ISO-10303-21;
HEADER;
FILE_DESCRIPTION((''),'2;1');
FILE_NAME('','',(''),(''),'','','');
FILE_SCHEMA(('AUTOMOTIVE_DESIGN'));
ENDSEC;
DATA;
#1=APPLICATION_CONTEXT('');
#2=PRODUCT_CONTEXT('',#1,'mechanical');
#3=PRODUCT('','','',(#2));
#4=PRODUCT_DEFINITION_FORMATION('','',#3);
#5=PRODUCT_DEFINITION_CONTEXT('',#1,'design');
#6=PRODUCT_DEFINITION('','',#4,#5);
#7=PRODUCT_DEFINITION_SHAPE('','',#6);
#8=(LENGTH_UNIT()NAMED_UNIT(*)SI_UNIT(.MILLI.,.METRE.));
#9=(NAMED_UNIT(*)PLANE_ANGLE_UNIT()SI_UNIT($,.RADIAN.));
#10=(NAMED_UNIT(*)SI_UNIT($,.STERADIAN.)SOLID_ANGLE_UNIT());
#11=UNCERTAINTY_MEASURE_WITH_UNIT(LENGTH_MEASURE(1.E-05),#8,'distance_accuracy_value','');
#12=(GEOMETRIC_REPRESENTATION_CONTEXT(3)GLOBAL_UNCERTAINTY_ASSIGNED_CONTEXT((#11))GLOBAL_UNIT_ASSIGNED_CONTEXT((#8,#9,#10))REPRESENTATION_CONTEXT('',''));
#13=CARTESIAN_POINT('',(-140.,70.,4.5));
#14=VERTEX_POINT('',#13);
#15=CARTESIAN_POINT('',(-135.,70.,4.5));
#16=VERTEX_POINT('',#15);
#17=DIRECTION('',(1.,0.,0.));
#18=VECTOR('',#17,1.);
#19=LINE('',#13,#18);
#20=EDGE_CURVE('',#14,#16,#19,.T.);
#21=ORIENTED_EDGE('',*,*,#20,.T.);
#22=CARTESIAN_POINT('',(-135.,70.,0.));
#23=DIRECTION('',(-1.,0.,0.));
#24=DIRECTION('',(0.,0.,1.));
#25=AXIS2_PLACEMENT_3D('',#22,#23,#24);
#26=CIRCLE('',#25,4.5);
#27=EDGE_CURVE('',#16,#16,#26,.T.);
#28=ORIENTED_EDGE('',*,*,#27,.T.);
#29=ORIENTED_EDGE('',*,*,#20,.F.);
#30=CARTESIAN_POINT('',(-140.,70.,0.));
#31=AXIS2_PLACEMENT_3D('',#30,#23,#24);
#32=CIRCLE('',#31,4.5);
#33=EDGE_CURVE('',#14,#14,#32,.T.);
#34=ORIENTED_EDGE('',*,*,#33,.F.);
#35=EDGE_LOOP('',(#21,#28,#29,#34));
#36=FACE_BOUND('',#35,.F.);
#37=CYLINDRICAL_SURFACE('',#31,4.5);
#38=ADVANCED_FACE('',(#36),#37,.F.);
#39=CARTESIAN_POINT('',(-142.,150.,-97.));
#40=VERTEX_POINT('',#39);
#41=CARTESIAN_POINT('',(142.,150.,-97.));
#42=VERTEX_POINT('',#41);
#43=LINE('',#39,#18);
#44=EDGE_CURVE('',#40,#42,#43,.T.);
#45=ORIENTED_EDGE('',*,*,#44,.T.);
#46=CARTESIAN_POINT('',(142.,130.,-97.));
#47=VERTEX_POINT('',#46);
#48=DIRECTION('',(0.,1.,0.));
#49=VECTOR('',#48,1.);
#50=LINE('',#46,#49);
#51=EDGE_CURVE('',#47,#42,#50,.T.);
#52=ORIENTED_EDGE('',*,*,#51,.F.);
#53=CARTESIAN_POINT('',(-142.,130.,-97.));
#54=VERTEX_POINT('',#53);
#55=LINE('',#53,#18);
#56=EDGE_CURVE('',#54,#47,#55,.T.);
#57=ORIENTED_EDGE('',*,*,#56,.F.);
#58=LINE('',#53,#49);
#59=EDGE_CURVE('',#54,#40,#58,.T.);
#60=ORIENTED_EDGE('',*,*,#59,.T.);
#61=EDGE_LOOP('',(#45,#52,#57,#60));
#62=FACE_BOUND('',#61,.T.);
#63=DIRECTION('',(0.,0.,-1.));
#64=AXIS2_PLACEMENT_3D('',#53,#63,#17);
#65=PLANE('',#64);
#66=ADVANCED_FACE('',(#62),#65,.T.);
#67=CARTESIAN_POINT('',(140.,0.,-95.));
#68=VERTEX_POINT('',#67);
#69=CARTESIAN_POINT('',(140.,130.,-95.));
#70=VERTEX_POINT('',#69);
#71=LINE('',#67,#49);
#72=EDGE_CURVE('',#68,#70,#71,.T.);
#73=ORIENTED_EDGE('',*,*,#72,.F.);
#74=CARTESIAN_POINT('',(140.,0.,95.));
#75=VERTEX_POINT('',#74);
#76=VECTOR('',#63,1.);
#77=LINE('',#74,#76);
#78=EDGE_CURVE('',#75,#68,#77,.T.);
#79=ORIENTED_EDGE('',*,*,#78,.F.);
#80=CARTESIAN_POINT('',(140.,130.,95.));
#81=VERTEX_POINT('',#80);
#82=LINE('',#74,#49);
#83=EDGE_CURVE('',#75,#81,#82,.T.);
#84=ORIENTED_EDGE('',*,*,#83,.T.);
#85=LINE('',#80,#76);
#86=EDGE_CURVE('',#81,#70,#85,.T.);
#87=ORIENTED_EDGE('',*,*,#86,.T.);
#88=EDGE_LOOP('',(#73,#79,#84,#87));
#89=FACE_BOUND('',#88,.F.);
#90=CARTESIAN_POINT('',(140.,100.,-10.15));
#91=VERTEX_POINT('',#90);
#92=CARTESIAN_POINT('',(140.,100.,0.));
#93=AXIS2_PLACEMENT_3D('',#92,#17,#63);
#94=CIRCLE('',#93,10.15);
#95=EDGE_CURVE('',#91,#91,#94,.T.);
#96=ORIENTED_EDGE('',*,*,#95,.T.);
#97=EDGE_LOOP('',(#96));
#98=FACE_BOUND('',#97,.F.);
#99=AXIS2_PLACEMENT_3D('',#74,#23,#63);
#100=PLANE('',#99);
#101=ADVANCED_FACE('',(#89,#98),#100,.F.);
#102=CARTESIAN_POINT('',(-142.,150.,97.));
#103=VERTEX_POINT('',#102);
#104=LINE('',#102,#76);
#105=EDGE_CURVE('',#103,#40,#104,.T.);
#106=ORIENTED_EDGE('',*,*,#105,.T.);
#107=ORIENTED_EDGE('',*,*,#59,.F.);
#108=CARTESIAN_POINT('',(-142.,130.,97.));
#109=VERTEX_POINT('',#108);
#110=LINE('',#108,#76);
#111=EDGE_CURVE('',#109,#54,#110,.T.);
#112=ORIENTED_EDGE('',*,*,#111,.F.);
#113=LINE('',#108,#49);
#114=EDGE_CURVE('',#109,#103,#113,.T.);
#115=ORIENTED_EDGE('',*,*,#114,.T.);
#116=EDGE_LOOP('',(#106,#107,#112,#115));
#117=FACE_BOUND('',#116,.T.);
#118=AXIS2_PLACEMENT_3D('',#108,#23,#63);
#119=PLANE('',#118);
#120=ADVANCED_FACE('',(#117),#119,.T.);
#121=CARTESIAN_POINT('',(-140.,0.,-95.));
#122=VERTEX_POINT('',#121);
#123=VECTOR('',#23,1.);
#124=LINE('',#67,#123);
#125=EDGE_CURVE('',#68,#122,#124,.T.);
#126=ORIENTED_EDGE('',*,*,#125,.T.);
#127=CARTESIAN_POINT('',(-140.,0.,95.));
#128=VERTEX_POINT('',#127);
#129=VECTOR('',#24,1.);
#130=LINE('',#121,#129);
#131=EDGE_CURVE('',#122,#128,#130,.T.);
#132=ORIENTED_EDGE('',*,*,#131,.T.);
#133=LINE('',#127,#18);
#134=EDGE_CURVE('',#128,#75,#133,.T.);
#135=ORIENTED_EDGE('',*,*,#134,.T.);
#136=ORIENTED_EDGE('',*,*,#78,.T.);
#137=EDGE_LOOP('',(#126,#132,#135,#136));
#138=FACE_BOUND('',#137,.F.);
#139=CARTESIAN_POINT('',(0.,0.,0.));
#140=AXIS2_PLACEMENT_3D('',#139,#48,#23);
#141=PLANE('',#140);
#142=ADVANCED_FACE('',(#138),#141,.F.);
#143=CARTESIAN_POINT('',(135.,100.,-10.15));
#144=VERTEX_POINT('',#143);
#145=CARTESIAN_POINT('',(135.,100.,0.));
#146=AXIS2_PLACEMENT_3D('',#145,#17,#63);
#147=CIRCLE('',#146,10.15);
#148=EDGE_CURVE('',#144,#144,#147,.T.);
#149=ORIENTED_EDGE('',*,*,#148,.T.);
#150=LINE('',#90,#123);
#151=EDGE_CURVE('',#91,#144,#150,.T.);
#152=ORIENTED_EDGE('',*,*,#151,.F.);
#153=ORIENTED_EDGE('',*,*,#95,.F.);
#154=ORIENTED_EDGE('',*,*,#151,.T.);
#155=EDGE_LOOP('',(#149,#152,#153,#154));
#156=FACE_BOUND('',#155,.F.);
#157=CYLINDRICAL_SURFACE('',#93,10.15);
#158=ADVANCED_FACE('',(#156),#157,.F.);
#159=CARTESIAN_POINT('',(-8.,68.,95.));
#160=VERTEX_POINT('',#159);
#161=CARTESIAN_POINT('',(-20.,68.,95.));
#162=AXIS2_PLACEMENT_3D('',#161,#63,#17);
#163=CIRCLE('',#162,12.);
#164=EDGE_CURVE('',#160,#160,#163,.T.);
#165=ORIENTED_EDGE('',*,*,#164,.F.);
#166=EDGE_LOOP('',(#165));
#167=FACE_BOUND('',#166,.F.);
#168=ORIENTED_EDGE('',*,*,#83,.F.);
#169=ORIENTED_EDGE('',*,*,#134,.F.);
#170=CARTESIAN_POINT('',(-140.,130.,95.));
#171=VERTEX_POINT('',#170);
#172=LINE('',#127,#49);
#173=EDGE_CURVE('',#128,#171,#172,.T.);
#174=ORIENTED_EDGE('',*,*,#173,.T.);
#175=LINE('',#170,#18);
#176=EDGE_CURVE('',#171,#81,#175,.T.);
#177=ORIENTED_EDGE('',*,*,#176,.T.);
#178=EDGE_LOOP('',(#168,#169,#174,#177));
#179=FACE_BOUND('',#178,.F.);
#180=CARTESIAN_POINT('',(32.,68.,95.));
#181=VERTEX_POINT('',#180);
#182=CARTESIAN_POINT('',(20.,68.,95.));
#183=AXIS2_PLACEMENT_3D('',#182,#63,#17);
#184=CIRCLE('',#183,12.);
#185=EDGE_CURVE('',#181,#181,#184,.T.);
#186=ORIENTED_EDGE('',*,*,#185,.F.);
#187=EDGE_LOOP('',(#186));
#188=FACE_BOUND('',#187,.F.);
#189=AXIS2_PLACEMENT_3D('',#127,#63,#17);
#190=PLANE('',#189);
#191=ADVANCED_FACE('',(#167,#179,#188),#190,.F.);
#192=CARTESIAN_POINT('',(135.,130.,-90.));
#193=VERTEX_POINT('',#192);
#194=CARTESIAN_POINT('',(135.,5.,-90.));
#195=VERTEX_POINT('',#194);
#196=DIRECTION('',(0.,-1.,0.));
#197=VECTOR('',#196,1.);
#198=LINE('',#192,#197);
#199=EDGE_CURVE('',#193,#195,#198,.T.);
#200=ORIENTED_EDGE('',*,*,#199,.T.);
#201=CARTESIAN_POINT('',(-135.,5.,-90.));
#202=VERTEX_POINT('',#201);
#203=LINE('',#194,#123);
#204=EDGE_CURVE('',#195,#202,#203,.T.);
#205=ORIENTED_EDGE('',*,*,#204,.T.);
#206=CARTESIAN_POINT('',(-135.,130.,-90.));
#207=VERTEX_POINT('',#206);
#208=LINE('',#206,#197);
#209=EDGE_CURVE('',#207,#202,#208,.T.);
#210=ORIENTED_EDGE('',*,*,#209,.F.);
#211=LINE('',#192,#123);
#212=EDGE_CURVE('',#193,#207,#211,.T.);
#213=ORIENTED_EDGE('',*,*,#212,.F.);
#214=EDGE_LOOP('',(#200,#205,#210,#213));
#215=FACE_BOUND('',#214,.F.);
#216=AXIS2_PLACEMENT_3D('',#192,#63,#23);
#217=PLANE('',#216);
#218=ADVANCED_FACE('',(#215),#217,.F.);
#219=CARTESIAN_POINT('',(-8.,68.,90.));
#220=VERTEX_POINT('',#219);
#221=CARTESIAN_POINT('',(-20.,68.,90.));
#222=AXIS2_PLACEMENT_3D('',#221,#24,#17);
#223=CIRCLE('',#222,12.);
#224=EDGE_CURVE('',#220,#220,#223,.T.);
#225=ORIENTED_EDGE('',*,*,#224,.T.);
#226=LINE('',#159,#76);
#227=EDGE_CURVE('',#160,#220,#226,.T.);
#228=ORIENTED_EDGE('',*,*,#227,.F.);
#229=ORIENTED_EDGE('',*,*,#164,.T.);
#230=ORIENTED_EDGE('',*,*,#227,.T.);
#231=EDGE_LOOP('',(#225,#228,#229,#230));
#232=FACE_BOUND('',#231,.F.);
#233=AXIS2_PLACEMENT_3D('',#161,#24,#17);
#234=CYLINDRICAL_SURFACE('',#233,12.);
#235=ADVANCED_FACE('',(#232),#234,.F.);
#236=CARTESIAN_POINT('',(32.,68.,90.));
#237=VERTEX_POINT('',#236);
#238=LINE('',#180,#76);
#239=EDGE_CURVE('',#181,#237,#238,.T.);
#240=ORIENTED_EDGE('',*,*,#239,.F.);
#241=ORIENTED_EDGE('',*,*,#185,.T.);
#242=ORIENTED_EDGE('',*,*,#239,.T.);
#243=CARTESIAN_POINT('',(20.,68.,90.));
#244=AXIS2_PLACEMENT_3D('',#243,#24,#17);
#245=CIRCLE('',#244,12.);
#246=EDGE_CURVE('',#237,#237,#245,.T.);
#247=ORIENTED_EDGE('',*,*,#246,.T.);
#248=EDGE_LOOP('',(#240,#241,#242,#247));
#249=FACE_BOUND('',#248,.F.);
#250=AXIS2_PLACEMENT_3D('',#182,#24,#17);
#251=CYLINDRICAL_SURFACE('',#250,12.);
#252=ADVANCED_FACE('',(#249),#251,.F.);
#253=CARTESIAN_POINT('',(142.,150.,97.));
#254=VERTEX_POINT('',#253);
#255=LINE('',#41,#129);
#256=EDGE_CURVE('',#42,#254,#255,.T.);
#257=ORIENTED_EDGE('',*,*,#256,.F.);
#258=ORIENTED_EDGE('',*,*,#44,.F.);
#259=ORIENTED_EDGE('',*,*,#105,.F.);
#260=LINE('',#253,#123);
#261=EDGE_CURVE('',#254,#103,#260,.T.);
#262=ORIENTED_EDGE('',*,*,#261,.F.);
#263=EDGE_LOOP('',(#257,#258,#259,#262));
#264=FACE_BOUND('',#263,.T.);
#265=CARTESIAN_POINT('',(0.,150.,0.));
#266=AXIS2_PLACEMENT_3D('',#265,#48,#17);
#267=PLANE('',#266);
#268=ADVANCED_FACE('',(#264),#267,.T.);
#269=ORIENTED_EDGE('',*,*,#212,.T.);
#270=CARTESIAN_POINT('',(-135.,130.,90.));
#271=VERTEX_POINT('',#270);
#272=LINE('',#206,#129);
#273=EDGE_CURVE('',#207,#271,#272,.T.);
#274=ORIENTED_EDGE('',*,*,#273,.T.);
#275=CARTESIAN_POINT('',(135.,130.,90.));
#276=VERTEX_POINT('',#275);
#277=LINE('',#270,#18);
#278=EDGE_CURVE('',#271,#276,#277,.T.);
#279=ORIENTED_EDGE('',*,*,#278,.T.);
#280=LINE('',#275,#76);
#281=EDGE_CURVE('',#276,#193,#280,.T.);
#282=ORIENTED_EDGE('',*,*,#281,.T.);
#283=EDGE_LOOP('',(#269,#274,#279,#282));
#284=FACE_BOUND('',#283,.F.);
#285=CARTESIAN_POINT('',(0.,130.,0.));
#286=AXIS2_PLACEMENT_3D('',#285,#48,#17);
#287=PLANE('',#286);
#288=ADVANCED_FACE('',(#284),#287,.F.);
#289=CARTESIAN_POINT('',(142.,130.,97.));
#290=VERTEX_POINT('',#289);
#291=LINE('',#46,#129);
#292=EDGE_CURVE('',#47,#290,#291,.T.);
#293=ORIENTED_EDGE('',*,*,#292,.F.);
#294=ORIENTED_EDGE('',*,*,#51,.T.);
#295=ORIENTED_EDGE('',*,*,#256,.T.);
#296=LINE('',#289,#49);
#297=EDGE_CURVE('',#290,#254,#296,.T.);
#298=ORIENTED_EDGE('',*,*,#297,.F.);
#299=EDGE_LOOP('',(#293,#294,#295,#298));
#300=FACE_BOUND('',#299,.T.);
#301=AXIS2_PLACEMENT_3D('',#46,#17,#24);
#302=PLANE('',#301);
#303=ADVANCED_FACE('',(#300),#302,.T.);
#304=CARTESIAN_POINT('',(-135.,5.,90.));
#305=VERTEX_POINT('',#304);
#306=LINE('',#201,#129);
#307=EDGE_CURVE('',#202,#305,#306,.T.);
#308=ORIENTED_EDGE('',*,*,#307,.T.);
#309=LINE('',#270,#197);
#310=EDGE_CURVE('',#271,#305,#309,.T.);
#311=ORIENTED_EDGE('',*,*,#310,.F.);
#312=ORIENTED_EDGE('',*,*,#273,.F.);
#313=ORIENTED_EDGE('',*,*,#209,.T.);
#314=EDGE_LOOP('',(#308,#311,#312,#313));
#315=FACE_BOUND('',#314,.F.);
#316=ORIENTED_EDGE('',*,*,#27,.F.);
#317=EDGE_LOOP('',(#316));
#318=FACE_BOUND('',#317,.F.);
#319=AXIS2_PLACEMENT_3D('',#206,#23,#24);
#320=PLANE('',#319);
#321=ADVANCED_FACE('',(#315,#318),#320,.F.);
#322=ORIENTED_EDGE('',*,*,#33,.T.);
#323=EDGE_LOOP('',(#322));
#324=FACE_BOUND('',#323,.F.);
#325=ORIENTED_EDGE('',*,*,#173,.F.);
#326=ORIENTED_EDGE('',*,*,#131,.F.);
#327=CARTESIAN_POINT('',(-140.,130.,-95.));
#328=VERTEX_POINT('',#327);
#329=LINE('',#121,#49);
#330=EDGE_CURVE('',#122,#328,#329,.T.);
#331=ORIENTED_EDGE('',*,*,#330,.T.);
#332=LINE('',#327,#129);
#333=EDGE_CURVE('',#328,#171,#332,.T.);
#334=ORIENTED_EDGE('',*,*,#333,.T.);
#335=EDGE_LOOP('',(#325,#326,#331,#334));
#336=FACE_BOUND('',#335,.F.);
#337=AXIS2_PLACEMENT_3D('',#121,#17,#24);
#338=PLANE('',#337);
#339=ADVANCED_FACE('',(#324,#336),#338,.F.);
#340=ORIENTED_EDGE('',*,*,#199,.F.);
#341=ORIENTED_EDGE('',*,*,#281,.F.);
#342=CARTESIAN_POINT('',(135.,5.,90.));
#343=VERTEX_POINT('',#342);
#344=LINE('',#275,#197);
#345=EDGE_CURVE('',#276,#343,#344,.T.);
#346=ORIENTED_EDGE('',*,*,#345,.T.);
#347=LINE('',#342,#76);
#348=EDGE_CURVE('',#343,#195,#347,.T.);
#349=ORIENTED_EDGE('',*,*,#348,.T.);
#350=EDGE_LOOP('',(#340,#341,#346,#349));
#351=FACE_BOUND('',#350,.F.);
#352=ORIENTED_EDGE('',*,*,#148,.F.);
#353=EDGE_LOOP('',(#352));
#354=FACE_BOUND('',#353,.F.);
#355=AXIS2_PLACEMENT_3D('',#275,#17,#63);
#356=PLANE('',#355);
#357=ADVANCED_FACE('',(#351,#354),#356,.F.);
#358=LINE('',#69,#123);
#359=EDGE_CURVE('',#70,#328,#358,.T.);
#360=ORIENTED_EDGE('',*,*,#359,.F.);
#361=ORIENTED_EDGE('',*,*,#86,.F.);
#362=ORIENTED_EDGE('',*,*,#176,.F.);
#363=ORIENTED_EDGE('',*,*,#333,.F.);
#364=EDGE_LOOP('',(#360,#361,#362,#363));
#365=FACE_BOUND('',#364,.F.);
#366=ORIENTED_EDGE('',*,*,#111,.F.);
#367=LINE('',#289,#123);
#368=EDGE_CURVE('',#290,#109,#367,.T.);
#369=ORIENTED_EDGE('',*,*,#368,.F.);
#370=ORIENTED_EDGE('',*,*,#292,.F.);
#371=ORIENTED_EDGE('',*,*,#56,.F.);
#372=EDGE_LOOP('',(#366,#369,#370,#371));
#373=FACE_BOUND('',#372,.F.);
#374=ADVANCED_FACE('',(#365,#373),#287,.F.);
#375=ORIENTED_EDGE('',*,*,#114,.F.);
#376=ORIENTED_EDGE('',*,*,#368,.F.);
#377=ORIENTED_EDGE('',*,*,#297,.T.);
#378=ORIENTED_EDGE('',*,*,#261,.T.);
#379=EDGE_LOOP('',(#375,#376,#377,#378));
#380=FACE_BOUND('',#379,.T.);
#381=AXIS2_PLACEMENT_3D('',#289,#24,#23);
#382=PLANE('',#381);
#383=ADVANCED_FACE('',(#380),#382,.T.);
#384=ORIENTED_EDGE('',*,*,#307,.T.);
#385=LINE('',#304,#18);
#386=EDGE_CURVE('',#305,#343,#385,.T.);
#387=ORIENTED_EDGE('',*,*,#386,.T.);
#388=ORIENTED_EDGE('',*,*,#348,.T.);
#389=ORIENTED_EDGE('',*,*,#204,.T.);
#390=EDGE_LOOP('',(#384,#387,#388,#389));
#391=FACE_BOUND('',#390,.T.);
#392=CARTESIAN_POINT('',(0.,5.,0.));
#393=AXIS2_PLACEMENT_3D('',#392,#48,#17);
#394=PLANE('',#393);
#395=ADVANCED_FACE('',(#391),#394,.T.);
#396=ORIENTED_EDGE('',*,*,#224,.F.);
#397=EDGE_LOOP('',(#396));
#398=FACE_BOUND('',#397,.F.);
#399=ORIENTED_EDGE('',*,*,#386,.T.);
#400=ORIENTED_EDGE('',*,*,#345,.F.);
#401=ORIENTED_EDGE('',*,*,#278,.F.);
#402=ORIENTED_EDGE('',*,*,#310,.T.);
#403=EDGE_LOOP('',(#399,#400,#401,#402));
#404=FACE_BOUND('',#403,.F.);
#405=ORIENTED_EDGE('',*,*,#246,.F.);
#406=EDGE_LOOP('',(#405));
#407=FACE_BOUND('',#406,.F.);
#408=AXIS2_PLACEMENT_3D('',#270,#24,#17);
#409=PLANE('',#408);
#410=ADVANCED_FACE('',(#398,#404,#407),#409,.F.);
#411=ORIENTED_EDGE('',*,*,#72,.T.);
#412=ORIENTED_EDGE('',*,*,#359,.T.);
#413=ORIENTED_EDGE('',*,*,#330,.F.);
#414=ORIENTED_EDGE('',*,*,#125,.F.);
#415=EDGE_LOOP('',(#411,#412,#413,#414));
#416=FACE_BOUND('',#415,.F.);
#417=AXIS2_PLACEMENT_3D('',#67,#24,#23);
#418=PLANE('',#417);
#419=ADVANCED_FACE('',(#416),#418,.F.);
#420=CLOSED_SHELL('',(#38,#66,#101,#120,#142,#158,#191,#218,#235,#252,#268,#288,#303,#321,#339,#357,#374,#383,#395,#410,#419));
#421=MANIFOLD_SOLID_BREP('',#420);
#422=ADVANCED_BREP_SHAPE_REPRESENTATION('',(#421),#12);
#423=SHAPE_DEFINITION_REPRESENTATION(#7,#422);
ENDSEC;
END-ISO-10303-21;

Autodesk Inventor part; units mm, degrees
ref_plane "YZ Plane" through (0, 0, 0) normal (1, 0, 0) x (0, 1, 0)
ref_plane "XZ Plane" through (0, 0, 0) normal (0, 1, 0) x (-1, 0, 0)
ref_plane "XY Plane" through (0, 0, 0) normal (0, 0, 1) x (1, 0, 0)
sketch "Boceto1" plane through (0, 0, 0) normal (0, 1, 0) x (-1, 0, 0)
  line L0 (140, 95) -> (-140, 95)
  line L1 (-140, 95) -> (-140, -95)
  line L2 (-140, -95) -> (140, -95)
  line L3 (140, -95) -> (140, 95)
  point P0 (0, 0)
  dimension "d0" = 280
  dimension "d1" = 190
  dimension "d2" = 95
  dimension "d3" = 140
extrude "Extrusión1" add sketch "Boceto1" along normal blind 130
ref_plane "Plano de trabajo1" through (0, 0, 95) normal (1, 0, 0) x (0, 0, -1)
ref_plane "Plano de trabajo2" through (140, 0, 0) normal (0, 0, -1) x (-1, 0, 0)
sketch "Boceto3" plane through (0, 130, 0) normal (0, 1, 0) x (1, 0, 0)
  line L0 (140, 95) -> (-140, 95) projected
  line L1 (-140, 95) -> (-140, -95) projected
  line L2 (-140, -95) -> (140, -95) projected
  line L3 (140, -95) -> (140, 95) projected
  line L4 (-135, -90) -> (135, -90)
  line L5 (135, -90) -> (135, 90)
  line L6 (135, 90) -> (-135, 90)
  line L7 (-135, 90) -> (-135, -90)
  point P0 (0, 0)
  dimension "d7" = 270
  dimension "d8" = 135
  dimension "d9" = 180
  dimension "d10" = 90
extrude "Extrusión2" cut sketch "Boceto3" against normal blind 125 contours L7 L6 L5 L4
sketch "Boceto4" plane through (-140, 0, -95) normal (-1, 0, 0) x (0, 0, 1)
  circle A0 centre (95, 29.1709) radius 10
  point P0 (95, 0)
  dimension "d13" = 20
extrude "Extrusión3" [suppressed]
sketch "Boceto7" plane through (-140, 0, 95) normal (0, 0, 1) x (1, 0, 0)
  circle A0 centre (140, 68) radius 10
  line L0 (0, 0) -> (280, 0) projected
  line L1 (280, 0) -> (280, 130) projected
  point P0 (140, 0)
  dimension "d18" = 20
  dimension "d19" = 68
  dimension "d20" = 140
extrude "Extrusión5" [suppressed]
sketch "Boceto8" plane through (0, 130, 0) normal (0, 1, 0) x (1, 0, 0)
  line L0 (-142, 97) -> (142, 97)
  line L1 (142, 97) -> (142, -97)
  line L2 (142, -97) -> (-142, -97)
  line L3 (-142, -97) -> (-142, 97)
  line L4 (140, 95) -> (-140, 95) projected
  line L5 (140, -95) -> (140, 95) projected
  line L6 (-140, -95) -> (140, -95) projected
  line L7 (-140, 95) -> (-140, -95) projected
  point P0 (0, 0)
  dimension "d23" = 2
  dimension "d24" = 2
  dimension "d25" = 2
  dimension "d26" = 2
extrude "Techo" add sketch "Boceto8" along normal blind 20 contours L0 L1 L2 L3 | L5 L6 L7 L4
sketch "Boceto9" plane through (-140, 0, 95) normal (0, 0, 1) x (1, 0, 0)
  circle A0 centre (120, 68) radius 12
  circle A1 centre (160, 68) radius 12
  circle A2 centre (140, 68) radius 10 projected
  line L0 (0, 0) -> (280, 0) projected
  line L1 (0, 0) -> (0, 130) projected
  point P0 (140, 0)
  point P1 (148.9, 63.4404)
  point P2 (148.9, 72.5596)
  point P3 (131.1, 63.4404)
  point P4 (131.1, 72.5596)
  dimension "d29" = 24
  dimension "d30" = 24
  dimension "d31" = 68
  dimension "d32" = 40
  dimension "Q" = 120
extrude "Extrusión7" cut sketch "Boceto9" against normal blind 10 contours A0 A2 | A2 A0 | A2 A1 | A1 A2
sketch "Boceto10" plane through (140, 0, 95) normal (1, 0, 0) x (0, 0, -1)
  circle A0 centre (95, 100) radius 10.15
  line L0 (0, 0) -> (0, 130) projected
  line L1 (0, 130) -> (190, 130) projected
  point P0 (95, 0)
  dimension "d36" = 20.3
  dimension "d37" = 95
  dimension "d38" = 30
extrude "Extrusión8" cut sketch "Boceto10" against normal blind 10
sketch "Boceto11" plane through (-140, 0, -95) normal (-1, 0, 0) x (0, 0, 1)
  line L0 (0, 130) -> (190, 130) projected
  circle A0 centre (95, 70) radius 4.5
  line L1 (0, 0) -> (0, 130) projected
  point P0 (95, 0)
  dimension "d45" = 9
  dimension "d46" = 60
  dimension "d47" = 95
extrude "Extrusión10" cut sketch "Boceto11" against normal blind 10
properties part number "cajaEléctrica"
